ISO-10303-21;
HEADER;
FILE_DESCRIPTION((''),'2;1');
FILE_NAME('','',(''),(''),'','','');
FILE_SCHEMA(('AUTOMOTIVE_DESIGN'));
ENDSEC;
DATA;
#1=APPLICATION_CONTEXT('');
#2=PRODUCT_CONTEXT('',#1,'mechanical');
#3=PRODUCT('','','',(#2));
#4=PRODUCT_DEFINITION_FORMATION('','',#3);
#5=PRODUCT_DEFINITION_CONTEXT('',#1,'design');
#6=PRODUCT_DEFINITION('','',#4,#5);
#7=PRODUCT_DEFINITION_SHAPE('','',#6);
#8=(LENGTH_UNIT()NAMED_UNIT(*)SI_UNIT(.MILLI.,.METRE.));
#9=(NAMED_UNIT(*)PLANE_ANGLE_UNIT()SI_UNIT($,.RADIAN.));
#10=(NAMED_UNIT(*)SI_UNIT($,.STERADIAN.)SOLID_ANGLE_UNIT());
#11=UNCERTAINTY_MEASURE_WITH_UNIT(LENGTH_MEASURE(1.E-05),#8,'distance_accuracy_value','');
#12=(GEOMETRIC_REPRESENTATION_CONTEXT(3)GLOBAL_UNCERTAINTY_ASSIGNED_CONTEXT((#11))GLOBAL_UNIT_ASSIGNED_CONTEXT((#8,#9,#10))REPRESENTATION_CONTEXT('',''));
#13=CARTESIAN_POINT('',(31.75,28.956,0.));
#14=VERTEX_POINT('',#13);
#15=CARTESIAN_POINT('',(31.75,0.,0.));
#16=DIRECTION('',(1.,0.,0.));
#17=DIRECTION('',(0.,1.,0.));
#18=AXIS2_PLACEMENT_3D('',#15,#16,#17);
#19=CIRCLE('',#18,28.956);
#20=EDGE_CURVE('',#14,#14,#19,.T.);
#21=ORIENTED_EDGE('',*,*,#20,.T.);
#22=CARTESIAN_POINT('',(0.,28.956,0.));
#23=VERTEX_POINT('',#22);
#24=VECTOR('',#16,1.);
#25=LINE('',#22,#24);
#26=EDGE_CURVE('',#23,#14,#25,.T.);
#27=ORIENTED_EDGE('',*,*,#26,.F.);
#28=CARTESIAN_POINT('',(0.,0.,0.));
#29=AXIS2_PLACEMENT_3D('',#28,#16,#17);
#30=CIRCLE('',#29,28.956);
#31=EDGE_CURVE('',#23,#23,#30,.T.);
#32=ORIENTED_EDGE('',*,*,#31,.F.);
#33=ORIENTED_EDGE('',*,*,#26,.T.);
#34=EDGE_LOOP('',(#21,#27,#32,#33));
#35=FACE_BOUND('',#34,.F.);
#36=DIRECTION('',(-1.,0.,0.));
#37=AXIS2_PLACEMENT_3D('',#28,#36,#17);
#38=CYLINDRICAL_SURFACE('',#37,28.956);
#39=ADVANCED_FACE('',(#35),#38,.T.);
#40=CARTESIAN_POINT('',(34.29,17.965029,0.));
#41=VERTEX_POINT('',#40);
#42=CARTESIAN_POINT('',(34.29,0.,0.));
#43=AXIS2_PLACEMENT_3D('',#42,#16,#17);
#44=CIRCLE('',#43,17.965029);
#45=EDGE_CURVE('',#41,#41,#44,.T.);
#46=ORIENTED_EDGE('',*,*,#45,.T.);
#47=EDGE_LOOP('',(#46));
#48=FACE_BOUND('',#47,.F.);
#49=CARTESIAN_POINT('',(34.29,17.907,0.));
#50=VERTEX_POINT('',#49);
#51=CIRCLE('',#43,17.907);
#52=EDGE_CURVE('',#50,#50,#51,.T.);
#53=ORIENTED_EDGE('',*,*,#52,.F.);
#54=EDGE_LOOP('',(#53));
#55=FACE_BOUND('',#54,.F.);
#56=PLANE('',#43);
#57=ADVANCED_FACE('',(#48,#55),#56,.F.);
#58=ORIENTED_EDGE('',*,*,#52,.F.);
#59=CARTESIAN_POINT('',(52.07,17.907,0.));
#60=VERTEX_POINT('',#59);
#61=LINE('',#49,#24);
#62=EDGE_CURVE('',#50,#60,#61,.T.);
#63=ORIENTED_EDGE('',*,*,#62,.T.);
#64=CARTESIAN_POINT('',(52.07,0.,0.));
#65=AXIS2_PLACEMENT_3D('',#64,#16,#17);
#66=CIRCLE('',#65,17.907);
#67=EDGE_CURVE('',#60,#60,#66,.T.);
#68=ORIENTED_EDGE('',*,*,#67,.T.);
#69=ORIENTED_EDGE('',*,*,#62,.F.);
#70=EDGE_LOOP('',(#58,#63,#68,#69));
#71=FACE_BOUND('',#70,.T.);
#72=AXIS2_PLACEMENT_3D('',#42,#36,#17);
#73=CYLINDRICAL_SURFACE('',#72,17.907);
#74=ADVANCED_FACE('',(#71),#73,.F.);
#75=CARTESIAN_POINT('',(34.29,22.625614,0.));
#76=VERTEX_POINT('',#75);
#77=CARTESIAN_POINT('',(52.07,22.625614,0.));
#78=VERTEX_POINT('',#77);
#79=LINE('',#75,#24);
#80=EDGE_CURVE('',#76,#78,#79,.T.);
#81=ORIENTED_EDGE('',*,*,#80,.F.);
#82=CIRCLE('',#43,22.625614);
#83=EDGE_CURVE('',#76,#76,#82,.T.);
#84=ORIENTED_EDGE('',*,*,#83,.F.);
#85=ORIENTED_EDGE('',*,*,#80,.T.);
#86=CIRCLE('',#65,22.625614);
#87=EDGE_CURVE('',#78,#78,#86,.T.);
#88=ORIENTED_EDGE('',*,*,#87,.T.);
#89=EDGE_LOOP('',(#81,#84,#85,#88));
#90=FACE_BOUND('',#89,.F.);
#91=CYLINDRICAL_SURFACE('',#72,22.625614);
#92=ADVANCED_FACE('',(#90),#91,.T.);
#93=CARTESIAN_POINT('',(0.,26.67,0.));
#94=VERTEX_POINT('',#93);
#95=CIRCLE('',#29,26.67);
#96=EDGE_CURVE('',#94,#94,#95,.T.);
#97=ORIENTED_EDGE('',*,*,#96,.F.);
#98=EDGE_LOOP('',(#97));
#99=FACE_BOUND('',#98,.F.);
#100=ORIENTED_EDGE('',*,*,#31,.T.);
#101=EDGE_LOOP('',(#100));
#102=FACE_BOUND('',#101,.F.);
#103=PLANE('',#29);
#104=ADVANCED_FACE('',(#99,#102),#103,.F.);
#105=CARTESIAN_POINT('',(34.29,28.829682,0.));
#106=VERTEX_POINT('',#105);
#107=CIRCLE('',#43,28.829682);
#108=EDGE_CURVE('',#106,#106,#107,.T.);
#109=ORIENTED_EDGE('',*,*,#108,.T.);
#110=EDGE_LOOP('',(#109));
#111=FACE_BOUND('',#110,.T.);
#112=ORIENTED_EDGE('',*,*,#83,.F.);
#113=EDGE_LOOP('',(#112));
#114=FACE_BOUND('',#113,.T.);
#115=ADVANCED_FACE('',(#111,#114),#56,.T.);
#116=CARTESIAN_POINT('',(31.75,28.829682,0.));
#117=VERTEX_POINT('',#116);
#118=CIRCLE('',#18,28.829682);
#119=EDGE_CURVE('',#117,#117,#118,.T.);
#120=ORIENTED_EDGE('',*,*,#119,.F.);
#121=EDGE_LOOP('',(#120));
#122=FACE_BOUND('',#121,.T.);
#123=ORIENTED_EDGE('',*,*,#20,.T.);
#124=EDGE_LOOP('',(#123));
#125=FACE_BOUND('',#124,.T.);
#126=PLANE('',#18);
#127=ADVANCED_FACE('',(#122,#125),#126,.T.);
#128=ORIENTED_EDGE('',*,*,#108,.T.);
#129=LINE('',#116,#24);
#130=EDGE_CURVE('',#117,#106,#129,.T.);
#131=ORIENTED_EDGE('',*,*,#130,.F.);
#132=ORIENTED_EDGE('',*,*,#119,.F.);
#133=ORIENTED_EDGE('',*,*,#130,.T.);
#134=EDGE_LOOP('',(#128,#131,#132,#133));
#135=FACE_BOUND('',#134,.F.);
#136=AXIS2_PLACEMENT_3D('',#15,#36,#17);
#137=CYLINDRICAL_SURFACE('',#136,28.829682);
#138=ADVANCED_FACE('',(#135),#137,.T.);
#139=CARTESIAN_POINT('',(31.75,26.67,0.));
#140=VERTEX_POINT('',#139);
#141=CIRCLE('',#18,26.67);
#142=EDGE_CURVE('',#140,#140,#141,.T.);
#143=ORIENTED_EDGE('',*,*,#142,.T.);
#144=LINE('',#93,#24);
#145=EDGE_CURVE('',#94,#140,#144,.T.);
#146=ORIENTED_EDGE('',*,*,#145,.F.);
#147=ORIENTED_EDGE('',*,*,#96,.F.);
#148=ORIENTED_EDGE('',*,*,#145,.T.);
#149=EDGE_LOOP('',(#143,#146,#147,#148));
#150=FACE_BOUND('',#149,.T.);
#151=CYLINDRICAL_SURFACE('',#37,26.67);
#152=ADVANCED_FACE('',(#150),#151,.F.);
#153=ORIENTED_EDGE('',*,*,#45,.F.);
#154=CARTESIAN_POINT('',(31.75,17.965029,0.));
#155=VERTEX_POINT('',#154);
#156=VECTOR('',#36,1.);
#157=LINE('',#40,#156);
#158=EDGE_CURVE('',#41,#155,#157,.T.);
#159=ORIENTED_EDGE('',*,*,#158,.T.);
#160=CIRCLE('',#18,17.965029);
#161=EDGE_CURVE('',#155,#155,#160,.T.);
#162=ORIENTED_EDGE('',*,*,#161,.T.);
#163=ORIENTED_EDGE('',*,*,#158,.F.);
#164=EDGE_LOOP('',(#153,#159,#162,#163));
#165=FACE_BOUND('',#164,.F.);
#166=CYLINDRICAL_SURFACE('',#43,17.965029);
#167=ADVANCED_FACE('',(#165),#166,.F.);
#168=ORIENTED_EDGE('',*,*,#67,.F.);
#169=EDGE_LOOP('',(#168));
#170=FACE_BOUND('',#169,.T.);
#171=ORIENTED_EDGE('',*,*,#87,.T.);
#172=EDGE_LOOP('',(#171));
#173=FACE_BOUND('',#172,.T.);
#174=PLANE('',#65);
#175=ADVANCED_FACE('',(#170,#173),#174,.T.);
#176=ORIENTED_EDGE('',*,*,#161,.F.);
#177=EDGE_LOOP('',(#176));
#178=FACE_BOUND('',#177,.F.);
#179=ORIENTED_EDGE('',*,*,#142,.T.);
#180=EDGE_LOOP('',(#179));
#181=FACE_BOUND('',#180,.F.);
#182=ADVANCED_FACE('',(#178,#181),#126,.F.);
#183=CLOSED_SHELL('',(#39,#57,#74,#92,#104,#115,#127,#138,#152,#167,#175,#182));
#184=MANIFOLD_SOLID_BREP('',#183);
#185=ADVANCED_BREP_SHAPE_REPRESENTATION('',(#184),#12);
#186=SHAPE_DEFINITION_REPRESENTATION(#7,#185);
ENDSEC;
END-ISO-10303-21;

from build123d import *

# Parameters (mm, degrees)
F0_R     = 28.956
F0_R_2   = 26.67
F1_DEPTH = 31.75
F2_R     = 28.829682
F3_DEPTH = 2.54
F4_R     = 22.625614
F4_R_2   = 17.907
F5_DEPTH = 17.78
F6_R     = 17.965029
F7_DEPTH = 2.54


with BuildPart() as f1:
    # F0 (on Right) → F1 (new body)
    with BuildSketch(Plane.YZ):
        Circle(F0_R)
        Circle(F0_R_2, mode=Mode.SUBTRACT)
    extrude(amount=F1_DEPTH)

    # F2 (on face) → F3 (join)
    with BuildSketch(Plane.YZ.offset(31.75)):
        Circle(F2_R)
    extrude(amount=F3_DEPTH)

    # F4 (on face) → F5 (join)
    with BuildSketch(Plane.YZ.offset(34.29)):
        Circle(F4_R)
        Circle(F4_R_2, mode=Mode.SUBTRACT)
    extrude(amount=F5_DEPTH)

    # F6 (on face) → F7 (cut, through all)
    with BuildSketch(Plane.YZ.offset(34.29)):
        Circle(F6_R)
    extrude(amount=-F7_DEPTH, mode=Mode.SUBTRACT)


solid = f1.part
